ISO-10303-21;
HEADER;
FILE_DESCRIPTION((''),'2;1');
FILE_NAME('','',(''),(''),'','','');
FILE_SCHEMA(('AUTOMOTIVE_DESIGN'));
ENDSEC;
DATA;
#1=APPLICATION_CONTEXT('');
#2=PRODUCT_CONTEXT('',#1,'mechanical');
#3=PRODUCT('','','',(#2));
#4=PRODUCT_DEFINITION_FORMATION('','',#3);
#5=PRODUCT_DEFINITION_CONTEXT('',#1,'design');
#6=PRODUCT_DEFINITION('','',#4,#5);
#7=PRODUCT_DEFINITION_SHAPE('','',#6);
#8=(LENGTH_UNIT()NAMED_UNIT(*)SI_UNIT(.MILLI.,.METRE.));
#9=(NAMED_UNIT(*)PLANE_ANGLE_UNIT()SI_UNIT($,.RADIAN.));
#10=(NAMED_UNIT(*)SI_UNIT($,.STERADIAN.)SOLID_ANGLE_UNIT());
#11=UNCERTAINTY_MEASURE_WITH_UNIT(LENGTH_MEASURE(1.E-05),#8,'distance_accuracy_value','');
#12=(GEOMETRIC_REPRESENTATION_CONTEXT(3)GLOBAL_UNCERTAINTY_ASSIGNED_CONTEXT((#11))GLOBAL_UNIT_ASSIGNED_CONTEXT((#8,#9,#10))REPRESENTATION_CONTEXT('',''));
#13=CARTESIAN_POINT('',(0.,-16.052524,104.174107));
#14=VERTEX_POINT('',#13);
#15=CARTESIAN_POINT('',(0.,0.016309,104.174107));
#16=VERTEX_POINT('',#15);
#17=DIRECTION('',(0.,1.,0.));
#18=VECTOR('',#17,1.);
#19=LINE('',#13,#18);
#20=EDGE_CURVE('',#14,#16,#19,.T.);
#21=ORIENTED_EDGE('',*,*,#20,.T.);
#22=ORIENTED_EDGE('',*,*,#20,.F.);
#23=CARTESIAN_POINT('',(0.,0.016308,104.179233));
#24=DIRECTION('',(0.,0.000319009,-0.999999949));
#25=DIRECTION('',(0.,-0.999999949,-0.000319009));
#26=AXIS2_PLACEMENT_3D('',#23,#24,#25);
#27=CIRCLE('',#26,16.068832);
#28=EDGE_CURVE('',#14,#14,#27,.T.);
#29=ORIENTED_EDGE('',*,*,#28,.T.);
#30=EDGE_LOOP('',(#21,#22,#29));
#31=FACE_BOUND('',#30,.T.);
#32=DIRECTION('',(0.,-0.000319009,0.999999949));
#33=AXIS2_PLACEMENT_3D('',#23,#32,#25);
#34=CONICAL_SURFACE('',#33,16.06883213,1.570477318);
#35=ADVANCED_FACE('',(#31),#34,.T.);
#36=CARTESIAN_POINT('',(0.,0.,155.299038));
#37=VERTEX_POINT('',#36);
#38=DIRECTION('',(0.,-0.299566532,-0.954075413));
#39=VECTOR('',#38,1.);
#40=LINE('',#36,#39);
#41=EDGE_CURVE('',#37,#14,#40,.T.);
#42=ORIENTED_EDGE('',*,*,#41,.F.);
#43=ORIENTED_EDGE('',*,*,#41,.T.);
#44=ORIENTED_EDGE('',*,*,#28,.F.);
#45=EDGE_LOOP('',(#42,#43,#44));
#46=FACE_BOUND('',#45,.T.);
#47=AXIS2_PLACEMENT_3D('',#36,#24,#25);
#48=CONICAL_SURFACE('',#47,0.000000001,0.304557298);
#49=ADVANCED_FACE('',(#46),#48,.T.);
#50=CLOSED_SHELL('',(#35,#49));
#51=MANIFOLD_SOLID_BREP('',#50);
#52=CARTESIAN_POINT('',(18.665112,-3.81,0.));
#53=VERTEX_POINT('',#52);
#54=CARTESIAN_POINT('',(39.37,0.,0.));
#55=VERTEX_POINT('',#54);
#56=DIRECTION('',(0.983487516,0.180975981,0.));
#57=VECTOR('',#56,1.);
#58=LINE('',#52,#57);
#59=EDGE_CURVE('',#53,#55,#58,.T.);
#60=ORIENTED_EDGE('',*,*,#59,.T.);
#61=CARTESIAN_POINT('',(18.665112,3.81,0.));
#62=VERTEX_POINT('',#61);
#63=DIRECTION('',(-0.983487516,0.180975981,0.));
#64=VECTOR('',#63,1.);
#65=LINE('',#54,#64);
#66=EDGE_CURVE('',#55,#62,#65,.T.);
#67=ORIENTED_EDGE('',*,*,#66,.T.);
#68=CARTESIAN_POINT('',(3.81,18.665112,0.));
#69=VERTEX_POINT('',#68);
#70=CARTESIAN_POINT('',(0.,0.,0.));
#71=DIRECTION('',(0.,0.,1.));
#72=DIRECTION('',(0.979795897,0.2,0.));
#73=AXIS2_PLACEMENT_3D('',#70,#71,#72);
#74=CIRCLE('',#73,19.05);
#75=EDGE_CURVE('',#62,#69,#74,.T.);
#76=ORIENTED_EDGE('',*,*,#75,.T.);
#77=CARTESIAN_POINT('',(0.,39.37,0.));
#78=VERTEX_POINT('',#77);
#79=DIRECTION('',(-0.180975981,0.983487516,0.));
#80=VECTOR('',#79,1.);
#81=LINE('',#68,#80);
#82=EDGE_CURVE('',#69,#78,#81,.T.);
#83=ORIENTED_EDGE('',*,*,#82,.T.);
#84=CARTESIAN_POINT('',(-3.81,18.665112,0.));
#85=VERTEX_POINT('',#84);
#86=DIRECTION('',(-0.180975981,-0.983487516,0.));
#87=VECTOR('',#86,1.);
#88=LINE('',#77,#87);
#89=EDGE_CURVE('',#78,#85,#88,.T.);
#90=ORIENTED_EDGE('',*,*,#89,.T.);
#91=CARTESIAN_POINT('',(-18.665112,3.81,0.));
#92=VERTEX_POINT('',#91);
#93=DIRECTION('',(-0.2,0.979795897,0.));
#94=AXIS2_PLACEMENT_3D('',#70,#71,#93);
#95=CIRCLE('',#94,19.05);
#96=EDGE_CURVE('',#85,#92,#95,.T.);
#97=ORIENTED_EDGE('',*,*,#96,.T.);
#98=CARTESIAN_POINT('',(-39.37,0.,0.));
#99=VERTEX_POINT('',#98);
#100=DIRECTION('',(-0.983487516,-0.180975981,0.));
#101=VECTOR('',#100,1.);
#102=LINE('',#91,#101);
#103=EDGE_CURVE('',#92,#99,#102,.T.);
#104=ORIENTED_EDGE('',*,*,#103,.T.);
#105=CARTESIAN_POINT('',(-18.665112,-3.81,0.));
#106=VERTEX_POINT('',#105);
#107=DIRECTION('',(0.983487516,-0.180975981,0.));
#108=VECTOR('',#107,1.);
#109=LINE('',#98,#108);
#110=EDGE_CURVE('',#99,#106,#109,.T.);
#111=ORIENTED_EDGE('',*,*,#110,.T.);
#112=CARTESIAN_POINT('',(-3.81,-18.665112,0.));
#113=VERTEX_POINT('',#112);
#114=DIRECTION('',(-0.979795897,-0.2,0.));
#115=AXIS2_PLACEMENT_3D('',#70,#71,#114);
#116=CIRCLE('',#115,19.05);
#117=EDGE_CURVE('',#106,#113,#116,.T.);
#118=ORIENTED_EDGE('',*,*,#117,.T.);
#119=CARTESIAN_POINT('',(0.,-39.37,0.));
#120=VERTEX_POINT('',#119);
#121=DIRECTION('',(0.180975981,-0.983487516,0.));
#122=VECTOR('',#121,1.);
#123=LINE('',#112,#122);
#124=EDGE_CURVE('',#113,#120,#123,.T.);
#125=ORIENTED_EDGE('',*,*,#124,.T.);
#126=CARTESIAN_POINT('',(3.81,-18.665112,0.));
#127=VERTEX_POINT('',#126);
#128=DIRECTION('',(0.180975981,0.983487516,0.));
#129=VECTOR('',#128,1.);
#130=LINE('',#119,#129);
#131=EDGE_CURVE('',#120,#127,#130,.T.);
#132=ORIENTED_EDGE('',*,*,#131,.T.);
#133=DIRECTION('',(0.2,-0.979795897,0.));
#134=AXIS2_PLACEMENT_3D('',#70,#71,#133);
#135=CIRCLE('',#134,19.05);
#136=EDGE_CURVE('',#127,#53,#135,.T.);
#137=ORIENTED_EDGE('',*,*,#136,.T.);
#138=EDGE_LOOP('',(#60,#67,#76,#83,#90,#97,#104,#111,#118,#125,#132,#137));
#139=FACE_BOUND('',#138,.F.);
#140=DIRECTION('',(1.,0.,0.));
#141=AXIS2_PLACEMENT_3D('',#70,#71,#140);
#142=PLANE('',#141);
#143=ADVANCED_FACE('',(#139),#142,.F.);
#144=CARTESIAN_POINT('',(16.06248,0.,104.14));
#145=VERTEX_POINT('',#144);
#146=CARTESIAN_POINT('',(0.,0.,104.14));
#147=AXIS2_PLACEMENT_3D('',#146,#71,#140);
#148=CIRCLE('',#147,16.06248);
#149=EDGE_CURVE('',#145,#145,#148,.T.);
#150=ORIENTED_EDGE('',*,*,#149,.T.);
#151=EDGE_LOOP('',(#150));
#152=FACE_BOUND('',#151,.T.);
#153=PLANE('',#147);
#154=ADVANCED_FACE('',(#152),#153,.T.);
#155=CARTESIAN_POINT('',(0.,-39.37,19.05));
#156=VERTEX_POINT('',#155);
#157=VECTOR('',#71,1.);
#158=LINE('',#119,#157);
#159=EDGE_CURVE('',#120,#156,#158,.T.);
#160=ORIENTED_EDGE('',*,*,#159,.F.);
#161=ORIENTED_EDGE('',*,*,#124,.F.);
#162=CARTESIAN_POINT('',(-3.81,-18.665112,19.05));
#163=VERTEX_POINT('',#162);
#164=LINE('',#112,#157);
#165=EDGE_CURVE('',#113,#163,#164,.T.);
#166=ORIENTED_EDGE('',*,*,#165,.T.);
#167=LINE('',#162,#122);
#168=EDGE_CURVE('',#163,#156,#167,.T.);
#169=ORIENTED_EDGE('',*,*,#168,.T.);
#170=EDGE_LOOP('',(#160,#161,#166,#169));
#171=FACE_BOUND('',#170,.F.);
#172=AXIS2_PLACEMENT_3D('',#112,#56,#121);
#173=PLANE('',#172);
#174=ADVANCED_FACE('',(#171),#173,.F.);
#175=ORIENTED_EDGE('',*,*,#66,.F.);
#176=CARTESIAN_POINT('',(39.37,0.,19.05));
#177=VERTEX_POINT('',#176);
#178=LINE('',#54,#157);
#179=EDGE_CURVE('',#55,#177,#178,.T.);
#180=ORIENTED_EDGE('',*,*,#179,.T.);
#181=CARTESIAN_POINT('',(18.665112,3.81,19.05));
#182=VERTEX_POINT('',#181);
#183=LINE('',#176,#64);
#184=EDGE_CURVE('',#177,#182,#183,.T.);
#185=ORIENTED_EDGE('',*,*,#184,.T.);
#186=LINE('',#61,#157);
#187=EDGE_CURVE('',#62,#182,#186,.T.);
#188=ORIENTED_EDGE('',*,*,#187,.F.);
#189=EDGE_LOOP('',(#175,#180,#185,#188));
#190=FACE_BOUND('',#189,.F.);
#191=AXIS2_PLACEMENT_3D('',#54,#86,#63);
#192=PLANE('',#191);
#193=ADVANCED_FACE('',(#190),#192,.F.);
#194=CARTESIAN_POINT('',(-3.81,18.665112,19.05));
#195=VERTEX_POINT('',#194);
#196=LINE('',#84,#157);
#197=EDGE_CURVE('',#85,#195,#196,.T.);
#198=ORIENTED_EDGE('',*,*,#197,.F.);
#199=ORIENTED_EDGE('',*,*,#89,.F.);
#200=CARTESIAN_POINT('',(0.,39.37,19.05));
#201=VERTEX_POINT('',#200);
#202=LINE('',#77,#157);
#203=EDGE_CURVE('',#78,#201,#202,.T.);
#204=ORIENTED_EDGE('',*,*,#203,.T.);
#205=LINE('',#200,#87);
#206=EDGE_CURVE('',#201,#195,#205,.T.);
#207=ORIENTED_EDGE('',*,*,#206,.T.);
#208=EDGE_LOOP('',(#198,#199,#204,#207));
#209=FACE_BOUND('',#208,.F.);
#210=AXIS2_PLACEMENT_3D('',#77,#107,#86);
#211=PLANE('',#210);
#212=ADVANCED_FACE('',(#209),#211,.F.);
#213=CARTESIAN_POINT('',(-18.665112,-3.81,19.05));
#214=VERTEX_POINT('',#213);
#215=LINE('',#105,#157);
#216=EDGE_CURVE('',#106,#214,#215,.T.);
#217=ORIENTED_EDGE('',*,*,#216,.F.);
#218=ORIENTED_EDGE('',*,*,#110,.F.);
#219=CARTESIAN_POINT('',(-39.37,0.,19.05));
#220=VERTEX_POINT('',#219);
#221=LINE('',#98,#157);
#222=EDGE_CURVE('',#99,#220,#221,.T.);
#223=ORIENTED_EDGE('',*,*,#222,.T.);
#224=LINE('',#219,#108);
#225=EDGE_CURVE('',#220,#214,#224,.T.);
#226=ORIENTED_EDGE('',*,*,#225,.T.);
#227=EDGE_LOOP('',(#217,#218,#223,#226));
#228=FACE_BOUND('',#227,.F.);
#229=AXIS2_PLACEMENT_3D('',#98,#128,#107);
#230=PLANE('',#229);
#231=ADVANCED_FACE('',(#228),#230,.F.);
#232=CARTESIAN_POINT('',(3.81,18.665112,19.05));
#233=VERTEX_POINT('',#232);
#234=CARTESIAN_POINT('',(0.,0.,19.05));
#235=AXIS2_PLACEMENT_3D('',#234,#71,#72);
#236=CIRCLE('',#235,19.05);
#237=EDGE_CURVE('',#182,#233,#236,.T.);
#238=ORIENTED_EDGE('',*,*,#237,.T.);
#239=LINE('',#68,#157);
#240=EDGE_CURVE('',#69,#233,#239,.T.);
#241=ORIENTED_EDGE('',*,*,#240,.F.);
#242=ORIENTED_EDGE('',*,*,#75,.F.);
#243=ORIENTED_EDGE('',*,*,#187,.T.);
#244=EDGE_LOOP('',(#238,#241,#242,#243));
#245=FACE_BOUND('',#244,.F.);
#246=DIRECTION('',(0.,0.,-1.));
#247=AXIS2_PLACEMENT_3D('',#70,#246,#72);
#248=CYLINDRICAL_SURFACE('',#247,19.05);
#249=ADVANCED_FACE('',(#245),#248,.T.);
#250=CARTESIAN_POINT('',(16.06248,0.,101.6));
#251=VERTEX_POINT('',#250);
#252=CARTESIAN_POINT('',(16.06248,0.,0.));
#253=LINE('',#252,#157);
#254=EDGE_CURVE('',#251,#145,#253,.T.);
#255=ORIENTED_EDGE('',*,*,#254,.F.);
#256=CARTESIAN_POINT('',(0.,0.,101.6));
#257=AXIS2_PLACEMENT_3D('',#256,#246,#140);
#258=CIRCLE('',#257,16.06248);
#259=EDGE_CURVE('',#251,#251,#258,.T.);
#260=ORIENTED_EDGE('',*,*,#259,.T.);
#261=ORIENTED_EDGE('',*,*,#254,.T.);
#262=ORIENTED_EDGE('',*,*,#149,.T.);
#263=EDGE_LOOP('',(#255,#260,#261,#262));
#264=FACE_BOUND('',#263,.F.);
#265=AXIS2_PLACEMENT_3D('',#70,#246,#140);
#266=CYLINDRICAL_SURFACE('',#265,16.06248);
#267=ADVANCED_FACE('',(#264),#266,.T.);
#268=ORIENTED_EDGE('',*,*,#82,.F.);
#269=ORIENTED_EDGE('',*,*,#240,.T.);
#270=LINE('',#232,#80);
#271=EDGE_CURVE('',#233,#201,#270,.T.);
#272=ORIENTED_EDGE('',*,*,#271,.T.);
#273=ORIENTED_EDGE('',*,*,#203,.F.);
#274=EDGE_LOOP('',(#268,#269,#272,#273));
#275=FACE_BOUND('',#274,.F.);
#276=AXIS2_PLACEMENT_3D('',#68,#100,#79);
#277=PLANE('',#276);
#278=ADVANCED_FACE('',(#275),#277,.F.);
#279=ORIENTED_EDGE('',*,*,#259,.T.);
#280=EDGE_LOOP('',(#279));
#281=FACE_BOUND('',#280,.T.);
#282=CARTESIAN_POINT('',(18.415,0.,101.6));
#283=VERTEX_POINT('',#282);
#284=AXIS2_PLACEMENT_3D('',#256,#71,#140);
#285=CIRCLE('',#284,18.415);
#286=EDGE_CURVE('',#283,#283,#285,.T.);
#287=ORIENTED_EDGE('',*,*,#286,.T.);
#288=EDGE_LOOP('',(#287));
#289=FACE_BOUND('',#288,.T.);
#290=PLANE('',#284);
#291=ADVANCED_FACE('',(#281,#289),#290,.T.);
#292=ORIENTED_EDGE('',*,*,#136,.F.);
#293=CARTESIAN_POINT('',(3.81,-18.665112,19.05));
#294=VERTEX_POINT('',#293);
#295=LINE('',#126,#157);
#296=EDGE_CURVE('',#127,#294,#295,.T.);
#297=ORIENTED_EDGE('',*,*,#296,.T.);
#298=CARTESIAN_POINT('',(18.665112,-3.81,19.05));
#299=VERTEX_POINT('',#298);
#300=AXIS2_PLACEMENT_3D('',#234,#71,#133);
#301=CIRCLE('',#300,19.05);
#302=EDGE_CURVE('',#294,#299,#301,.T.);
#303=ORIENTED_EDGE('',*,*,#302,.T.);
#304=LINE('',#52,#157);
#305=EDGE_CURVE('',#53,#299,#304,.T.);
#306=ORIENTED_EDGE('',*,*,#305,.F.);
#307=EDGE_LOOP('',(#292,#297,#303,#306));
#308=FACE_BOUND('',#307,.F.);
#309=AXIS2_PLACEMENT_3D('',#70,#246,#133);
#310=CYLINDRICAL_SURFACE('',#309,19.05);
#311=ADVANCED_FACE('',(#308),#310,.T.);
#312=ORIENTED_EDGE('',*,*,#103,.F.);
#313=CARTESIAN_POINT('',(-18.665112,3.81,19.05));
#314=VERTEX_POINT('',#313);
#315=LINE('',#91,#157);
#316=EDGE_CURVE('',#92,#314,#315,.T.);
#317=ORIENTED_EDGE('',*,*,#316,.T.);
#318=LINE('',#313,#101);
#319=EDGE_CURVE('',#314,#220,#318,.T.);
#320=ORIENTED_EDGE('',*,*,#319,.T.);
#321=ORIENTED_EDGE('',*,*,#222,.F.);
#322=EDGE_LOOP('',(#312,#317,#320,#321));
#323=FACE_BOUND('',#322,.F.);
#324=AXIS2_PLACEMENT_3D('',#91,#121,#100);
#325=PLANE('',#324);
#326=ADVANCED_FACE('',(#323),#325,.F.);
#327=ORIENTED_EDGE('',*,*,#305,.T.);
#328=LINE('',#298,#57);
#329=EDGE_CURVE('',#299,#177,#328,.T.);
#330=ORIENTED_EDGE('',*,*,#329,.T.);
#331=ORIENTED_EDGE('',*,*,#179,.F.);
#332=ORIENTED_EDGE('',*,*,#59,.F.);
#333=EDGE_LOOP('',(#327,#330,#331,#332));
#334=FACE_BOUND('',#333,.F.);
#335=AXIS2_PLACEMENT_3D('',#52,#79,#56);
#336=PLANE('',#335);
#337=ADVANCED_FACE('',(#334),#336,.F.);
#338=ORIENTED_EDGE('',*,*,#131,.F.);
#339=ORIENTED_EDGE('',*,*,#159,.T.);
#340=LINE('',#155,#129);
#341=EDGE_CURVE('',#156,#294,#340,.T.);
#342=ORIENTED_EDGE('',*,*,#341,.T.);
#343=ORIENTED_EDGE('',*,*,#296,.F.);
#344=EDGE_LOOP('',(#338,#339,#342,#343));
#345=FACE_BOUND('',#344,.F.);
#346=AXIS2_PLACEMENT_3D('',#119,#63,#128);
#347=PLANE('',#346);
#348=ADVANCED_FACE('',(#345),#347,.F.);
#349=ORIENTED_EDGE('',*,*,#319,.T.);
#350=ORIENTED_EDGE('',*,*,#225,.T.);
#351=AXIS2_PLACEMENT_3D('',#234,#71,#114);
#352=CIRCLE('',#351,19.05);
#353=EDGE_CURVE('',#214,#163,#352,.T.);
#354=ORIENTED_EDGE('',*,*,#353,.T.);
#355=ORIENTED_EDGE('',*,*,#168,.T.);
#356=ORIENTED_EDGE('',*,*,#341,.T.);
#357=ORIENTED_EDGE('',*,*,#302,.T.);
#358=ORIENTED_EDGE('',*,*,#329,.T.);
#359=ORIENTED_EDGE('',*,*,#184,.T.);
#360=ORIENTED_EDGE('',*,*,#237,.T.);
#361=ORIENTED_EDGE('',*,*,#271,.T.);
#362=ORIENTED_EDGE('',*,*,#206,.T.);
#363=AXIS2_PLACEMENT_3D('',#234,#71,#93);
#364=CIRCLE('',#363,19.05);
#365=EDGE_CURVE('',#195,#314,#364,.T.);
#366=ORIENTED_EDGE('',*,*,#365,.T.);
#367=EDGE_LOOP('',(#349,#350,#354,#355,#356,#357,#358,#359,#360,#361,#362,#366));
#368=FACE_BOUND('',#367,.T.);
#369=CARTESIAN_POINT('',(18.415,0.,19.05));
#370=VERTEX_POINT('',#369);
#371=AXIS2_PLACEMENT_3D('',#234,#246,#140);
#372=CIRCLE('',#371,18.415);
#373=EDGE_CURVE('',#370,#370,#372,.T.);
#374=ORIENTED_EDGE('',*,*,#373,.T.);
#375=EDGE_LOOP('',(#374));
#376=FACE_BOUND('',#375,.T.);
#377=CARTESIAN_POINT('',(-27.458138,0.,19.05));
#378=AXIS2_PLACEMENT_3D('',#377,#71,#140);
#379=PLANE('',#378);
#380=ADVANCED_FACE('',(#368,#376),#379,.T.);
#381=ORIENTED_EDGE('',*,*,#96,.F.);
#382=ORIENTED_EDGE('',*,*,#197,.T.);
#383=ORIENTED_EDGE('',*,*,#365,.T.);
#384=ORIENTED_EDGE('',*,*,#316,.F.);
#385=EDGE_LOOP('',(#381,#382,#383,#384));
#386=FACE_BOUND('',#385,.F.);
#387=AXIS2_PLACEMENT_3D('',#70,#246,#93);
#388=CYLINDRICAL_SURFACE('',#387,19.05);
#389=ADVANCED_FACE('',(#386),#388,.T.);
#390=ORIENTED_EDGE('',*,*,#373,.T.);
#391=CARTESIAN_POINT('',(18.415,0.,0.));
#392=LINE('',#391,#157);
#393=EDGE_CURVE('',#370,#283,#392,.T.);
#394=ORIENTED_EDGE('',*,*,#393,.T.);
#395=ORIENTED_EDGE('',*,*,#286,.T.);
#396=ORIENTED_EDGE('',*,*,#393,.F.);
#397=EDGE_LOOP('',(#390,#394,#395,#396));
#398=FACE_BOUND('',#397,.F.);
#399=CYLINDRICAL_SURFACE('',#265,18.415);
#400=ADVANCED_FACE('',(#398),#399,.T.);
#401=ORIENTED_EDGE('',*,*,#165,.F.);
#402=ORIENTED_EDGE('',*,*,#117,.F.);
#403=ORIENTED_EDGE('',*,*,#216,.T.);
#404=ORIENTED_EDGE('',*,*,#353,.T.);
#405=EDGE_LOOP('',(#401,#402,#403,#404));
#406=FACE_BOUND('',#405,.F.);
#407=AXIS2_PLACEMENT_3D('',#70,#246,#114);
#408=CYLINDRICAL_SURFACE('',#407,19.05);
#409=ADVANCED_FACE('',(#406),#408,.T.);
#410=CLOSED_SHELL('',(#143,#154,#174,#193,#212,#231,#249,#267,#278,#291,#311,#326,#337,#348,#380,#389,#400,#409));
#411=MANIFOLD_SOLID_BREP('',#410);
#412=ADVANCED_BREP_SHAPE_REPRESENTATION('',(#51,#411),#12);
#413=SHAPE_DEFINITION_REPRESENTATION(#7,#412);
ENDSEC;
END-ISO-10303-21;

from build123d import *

# Parameters (mm, degrees)
F1_DEPTH = 19.05
F2_R     = 18.415
F3_DEPTH = 101.6
F4_R     = 16.0624803324
F5_DEPTH = 104.14


with BuildPart() as f1:
    # F0 (on Top) → F1 (new body)
    with BuildSketch(Plane.XY):
        with BuildLine():
            ThreePointArc((-18.66511184, -3.81), (-19.05, 0), (-18.66511184, 3.81))
            Line((-18.66511184, 3.81), (-39.37, 0))
            Line((-39.37, 0), (-18.66511184, -3.81))
        make_face()
        with BuildLine():
            ThreePointArc((18.66511184, -3.81), (18.9535337147, -1.9146957262), (19.05, 0))
            ThreePointArc((19.05, 0), (18.9535337147, 1.9146957262), (18.66511184, 3.81))
            ThreePointArc((18.66511184, 3.81), (13.4703841816, 13.4703841816), (3.81, 18.66511184))
            ThreePointArc((3.81, 18.66511184), (0, 19.05), (-3.81, 18.66511184))
            ThreePointArc((-3.81, 18.66511184), (-13.4703841816, 13.4703841816), (-18.66511184, 3.81))
            ThreePointArc((-18.66511184, 3.81), (-19.05, 0), (-18.66511184, -3.81))
            ThreePointArc((-18.66511184, -3.81), (-13.4703841816, -13.4703841816), (-3.81, -18.66511184))
            ThreePointArc((-3.81, -18.66511184), (0, -19.05), (3.81, -18.66511184))
            ThreePointArc((3.81, -18.66511184), (13.4703841816, -13.4703841816), (18.66511184, -3.81))
        make_face()
        with BuildLine():
            Line((0, -39.37), (3.81, -18.66511184))
            ThreePointArc((3.81, -18.66511184), (0, -19.05), (-3.81, -18.66511184))
            Line((-3.81, -18.66511184), (0, -39.37))
        make_face()
        with BuildLine():
            ThreePointArc((18.66511184, 3.81), (18.9535337147, 1.9146957262), (19.05, 0))
            ThreePointArc((19.05, 0), (18.9535337147, -1.9146957262), (18.66511184, -3.81))
            Line((18.66511184, -3.81), (39.37, 0))
            Line((39.37, 0), (18.66511184, 3.81))
        make_face()
        with BuildLine():
            ThreePointArc((-3.81, 18.66511184), (0, 19.05), (3.81, 18.66511184))
            Line((3.81, 18.66511184), (0, 39.37))
            Line((0, 39.37), (-3.81, 18.66511184))
        make_face()
    extrude(amount=F1_DEPTH)

    # F2 (on Top) → F3 (join)
    with BuildSketch(Plane.XY):
        Circle(F2_R)
    extrude(amount=F3_DEPTH)

    # F4 (on Top) → F5 (join)
    with BuildSketch(Plane.XY):
        Circle(F4_R)
    extrude(amount=F5_DEPTH)


with BuildPart() as f7:
    # F6 (on Right) → F7 (revolve)
    with BuildSketch(Plane.YZ):
        Polygon((0.0163093209, 104.1741073132), (0, 155.2990376949), (-16.0525236279, 104.1741073132), align=None)
    revolve(axis=Axis((0, 0.0081546605, 129.736572504), (0, 0.0003190091, -0.9999999491)))


solid = Compound([f1.part, f7.part])
